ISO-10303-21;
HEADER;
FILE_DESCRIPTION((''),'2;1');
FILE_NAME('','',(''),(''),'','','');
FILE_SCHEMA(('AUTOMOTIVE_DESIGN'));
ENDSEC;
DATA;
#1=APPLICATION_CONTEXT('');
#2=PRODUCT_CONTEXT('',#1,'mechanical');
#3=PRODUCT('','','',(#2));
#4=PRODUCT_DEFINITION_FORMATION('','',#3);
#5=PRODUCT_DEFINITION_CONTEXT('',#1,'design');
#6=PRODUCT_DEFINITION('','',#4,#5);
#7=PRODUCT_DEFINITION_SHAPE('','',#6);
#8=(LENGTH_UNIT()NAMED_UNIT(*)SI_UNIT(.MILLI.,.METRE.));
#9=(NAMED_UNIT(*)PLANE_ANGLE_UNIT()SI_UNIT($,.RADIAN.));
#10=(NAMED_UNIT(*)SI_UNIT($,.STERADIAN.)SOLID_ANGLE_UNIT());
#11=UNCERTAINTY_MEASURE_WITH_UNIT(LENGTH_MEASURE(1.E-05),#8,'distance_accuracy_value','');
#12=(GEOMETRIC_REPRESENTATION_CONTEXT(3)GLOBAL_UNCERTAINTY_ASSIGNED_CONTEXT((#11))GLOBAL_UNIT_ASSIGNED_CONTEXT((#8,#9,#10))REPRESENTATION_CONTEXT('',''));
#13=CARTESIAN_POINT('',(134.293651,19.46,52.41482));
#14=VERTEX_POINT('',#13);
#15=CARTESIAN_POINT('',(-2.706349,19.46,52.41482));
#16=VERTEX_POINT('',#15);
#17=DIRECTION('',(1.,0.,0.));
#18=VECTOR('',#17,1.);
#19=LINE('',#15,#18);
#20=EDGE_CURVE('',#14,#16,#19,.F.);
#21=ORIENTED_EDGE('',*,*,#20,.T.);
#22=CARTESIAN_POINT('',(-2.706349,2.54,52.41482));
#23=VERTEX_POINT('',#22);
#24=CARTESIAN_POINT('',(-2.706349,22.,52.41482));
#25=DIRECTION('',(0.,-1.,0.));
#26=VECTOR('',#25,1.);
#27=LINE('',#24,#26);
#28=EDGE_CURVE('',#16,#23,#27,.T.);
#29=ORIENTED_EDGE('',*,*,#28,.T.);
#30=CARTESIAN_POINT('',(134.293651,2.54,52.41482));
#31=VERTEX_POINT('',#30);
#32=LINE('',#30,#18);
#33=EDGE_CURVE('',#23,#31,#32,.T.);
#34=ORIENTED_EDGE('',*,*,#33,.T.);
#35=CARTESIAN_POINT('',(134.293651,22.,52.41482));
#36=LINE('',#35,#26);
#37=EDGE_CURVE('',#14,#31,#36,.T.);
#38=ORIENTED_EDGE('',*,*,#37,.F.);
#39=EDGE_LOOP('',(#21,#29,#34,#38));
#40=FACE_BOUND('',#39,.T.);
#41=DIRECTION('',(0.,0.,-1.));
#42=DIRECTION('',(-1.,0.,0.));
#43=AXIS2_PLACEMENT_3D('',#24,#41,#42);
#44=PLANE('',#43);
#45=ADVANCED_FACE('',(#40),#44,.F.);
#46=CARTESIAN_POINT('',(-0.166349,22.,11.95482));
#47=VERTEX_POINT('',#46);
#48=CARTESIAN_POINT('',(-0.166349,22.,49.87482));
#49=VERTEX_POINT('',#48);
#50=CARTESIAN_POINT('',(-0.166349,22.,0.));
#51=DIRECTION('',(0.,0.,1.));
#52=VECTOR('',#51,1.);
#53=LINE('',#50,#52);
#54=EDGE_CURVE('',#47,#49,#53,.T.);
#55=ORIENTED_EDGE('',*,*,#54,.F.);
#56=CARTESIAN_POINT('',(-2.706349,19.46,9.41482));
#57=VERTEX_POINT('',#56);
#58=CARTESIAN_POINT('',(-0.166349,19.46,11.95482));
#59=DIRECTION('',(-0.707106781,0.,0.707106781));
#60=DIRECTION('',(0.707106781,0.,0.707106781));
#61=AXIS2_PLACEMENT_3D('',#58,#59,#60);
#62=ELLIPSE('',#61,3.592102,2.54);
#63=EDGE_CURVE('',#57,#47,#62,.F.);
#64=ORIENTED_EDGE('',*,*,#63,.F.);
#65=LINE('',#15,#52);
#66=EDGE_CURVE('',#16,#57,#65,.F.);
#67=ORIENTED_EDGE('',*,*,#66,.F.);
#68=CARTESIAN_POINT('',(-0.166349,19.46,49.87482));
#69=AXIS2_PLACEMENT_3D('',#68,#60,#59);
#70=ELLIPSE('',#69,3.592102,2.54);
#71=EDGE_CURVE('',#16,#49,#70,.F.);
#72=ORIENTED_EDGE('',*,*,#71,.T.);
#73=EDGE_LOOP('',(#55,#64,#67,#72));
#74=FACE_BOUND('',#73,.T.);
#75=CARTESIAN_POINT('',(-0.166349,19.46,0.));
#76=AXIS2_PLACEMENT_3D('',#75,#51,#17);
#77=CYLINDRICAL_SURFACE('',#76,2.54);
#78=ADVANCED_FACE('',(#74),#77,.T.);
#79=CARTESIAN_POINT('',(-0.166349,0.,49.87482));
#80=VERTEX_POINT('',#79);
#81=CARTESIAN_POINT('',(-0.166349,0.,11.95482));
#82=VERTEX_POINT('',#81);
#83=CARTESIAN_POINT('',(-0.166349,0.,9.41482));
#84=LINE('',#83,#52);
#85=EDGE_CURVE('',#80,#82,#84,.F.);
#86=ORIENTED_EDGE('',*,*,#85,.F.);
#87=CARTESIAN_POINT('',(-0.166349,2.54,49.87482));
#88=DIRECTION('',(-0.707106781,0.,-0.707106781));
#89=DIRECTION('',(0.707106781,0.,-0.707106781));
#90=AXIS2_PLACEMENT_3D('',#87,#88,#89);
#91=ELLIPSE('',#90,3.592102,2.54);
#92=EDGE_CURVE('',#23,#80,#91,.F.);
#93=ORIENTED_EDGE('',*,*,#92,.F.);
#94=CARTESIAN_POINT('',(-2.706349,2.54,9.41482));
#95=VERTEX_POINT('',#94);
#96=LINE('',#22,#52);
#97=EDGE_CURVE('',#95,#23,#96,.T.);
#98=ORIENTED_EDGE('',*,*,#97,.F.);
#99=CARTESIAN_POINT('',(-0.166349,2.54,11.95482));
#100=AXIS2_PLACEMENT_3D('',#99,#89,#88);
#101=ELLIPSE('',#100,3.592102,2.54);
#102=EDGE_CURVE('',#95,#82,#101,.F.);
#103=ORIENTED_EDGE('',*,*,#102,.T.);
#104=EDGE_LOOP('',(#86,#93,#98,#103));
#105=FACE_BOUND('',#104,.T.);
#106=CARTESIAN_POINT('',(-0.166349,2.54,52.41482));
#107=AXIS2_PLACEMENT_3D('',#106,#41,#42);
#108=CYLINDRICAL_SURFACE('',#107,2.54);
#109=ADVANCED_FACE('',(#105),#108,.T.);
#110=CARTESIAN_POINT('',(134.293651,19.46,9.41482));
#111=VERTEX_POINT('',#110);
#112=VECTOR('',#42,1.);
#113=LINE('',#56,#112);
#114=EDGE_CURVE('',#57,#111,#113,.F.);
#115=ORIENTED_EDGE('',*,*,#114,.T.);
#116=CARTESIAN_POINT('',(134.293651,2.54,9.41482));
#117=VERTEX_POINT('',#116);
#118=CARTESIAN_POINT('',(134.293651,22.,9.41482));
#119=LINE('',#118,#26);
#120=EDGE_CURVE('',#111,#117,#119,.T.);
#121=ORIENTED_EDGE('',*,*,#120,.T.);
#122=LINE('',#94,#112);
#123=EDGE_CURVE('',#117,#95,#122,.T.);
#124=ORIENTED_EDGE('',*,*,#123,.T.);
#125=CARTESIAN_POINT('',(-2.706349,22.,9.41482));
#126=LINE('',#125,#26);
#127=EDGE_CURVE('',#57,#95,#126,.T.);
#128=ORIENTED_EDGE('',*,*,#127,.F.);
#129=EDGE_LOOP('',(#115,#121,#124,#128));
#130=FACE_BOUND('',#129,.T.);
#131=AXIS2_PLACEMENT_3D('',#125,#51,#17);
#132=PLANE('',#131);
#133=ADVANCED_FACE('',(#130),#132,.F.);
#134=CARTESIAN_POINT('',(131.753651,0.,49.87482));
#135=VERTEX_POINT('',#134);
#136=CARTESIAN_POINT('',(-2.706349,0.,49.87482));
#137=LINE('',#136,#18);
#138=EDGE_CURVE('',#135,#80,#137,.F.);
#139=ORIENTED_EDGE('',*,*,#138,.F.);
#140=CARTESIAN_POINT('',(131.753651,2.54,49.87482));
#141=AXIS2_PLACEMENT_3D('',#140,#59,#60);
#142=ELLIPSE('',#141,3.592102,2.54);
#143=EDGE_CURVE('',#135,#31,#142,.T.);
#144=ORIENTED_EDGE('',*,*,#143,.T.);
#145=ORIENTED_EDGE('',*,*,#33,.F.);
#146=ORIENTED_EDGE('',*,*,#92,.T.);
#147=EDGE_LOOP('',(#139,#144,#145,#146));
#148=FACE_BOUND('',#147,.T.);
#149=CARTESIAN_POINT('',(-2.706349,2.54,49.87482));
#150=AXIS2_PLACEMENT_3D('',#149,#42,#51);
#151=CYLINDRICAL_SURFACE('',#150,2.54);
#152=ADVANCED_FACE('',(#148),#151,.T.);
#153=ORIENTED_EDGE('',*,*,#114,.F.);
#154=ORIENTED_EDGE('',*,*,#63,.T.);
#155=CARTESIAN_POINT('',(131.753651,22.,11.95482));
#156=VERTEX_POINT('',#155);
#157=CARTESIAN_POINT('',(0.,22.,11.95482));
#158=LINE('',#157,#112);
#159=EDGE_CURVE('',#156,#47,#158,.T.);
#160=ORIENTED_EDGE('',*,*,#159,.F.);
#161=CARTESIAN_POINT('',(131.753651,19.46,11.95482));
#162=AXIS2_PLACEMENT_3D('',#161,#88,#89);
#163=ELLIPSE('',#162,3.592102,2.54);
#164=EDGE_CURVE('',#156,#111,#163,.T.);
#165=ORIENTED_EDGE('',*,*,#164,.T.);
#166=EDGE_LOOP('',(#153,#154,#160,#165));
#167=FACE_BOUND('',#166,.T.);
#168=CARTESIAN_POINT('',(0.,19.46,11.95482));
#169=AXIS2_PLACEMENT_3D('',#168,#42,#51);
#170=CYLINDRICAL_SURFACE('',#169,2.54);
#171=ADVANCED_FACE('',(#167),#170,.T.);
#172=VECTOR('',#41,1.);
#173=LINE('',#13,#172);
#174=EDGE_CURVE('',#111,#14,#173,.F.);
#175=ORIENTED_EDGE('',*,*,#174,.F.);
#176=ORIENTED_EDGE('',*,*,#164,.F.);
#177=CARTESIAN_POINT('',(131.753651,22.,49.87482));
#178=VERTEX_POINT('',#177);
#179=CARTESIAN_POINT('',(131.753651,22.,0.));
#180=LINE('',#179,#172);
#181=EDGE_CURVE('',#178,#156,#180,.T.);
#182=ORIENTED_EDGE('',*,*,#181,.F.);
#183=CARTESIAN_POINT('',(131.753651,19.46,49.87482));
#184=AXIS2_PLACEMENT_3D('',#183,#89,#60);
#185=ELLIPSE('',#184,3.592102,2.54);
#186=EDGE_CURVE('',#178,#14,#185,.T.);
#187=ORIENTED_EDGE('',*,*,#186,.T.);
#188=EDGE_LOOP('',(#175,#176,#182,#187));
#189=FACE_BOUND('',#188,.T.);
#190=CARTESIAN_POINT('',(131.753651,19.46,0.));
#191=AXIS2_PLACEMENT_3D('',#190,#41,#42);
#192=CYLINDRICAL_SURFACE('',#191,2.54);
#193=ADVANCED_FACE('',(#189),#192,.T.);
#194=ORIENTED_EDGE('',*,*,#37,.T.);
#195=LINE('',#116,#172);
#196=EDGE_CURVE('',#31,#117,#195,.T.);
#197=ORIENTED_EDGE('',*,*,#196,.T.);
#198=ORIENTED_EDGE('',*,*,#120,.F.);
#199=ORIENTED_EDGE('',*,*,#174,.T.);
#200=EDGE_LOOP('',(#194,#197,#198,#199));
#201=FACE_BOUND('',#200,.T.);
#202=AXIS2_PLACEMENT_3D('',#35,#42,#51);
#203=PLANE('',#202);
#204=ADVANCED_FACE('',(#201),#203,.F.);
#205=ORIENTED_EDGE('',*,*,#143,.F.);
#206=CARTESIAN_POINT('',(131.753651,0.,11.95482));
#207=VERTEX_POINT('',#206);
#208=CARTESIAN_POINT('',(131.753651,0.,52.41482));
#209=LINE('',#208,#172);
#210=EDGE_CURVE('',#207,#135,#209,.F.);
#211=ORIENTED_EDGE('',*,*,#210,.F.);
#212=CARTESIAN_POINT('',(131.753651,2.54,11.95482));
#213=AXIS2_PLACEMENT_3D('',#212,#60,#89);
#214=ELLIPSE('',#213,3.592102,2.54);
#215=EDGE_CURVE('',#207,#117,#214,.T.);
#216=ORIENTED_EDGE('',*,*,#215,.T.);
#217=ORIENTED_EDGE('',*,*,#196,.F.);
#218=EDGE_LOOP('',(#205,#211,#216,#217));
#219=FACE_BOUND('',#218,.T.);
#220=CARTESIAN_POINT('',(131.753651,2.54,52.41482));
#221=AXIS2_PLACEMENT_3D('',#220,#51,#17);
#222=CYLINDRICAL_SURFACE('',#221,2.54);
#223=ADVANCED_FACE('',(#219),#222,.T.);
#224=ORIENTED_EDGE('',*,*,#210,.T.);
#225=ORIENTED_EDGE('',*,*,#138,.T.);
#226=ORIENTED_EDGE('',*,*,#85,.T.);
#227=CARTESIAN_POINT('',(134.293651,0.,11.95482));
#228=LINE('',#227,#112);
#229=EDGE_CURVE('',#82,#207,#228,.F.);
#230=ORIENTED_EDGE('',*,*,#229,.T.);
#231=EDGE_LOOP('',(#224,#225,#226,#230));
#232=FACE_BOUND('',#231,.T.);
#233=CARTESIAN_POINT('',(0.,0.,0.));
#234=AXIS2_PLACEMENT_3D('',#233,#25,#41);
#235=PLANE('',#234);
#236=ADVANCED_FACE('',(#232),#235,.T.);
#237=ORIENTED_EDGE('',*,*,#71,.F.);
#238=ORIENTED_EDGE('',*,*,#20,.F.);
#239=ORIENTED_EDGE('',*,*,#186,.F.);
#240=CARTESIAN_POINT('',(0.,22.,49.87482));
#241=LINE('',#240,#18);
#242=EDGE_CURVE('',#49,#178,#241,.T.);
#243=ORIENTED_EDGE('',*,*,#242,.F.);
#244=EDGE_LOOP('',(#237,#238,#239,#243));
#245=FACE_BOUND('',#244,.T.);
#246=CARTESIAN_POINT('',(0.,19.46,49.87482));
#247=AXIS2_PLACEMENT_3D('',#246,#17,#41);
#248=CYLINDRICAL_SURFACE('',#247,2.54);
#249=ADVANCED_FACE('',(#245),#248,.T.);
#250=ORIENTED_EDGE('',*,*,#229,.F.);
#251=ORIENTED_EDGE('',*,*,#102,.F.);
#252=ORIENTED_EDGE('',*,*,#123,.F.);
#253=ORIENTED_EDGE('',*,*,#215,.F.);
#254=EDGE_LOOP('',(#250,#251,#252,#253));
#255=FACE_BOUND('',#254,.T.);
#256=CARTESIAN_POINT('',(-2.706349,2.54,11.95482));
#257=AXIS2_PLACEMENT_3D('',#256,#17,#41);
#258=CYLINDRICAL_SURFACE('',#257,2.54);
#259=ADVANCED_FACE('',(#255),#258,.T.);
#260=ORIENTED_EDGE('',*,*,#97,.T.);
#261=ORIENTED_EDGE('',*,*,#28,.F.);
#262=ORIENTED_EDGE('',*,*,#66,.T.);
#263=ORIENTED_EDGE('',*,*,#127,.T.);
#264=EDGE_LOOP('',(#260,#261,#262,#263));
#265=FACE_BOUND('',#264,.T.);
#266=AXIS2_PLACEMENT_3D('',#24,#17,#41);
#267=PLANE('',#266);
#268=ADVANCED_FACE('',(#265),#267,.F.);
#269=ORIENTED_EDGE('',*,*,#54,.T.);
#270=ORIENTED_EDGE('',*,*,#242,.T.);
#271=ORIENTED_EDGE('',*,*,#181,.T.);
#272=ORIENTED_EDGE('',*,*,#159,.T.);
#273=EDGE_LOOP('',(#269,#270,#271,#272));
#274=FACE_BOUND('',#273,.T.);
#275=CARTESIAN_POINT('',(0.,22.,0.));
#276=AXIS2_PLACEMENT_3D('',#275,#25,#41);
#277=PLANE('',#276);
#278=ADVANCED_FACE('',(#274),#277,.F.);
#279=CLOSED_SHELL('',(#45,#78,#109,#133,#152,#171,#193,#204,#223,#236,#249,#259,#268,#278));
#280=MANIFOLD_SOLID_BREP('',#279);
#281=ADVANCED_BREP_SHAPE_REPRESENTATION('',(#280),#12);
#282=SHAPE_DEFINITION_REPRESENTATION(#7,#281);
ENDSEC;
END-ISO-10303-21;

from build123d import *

# Parameters (mm, degrees)
SKETCH1_W           = 137
SKETCH1_H           = 43
BOSS_EXTRUDE1_DEPTH = 22
FILLET1_R           = 2.54


with BuildPart() as part:
    # Sketch1 → Boss-Extrude1 (new body)
    with BuildSketch(Plane(origin=(0, 0, 0), x_dir=(1, 0, 0), z_dir=(0, 1, 0))):
        with Locations((65.793650794, -30.914819758)):
            Rectangle(SKETCH1_W, SKETCH1_H)
    extrude(amount=BOSS_EXTRUDE1_DEPTH)

    # Fillet1
    fillet1_edges = [part.edges().sort_by_distance(p)[0] for p in [
        (134.293650794, 22, 30.914819758),
        (65.793650794, 22, 9.414819758),
        (-2.706349206, 22, 30.914819758),
        (65.793650794, 0, 9.414819758),
        (134.293650794, 0, 30.914819758),
        (65.793650794, 0, 52.414819758),
        (-2.706349206, 0, 30.914819758),
        (65.793650794, 22, 52.414819758),
    ]]
    fillet(fillet1_edges, radius=FILLET1_R)


solid = part.part
